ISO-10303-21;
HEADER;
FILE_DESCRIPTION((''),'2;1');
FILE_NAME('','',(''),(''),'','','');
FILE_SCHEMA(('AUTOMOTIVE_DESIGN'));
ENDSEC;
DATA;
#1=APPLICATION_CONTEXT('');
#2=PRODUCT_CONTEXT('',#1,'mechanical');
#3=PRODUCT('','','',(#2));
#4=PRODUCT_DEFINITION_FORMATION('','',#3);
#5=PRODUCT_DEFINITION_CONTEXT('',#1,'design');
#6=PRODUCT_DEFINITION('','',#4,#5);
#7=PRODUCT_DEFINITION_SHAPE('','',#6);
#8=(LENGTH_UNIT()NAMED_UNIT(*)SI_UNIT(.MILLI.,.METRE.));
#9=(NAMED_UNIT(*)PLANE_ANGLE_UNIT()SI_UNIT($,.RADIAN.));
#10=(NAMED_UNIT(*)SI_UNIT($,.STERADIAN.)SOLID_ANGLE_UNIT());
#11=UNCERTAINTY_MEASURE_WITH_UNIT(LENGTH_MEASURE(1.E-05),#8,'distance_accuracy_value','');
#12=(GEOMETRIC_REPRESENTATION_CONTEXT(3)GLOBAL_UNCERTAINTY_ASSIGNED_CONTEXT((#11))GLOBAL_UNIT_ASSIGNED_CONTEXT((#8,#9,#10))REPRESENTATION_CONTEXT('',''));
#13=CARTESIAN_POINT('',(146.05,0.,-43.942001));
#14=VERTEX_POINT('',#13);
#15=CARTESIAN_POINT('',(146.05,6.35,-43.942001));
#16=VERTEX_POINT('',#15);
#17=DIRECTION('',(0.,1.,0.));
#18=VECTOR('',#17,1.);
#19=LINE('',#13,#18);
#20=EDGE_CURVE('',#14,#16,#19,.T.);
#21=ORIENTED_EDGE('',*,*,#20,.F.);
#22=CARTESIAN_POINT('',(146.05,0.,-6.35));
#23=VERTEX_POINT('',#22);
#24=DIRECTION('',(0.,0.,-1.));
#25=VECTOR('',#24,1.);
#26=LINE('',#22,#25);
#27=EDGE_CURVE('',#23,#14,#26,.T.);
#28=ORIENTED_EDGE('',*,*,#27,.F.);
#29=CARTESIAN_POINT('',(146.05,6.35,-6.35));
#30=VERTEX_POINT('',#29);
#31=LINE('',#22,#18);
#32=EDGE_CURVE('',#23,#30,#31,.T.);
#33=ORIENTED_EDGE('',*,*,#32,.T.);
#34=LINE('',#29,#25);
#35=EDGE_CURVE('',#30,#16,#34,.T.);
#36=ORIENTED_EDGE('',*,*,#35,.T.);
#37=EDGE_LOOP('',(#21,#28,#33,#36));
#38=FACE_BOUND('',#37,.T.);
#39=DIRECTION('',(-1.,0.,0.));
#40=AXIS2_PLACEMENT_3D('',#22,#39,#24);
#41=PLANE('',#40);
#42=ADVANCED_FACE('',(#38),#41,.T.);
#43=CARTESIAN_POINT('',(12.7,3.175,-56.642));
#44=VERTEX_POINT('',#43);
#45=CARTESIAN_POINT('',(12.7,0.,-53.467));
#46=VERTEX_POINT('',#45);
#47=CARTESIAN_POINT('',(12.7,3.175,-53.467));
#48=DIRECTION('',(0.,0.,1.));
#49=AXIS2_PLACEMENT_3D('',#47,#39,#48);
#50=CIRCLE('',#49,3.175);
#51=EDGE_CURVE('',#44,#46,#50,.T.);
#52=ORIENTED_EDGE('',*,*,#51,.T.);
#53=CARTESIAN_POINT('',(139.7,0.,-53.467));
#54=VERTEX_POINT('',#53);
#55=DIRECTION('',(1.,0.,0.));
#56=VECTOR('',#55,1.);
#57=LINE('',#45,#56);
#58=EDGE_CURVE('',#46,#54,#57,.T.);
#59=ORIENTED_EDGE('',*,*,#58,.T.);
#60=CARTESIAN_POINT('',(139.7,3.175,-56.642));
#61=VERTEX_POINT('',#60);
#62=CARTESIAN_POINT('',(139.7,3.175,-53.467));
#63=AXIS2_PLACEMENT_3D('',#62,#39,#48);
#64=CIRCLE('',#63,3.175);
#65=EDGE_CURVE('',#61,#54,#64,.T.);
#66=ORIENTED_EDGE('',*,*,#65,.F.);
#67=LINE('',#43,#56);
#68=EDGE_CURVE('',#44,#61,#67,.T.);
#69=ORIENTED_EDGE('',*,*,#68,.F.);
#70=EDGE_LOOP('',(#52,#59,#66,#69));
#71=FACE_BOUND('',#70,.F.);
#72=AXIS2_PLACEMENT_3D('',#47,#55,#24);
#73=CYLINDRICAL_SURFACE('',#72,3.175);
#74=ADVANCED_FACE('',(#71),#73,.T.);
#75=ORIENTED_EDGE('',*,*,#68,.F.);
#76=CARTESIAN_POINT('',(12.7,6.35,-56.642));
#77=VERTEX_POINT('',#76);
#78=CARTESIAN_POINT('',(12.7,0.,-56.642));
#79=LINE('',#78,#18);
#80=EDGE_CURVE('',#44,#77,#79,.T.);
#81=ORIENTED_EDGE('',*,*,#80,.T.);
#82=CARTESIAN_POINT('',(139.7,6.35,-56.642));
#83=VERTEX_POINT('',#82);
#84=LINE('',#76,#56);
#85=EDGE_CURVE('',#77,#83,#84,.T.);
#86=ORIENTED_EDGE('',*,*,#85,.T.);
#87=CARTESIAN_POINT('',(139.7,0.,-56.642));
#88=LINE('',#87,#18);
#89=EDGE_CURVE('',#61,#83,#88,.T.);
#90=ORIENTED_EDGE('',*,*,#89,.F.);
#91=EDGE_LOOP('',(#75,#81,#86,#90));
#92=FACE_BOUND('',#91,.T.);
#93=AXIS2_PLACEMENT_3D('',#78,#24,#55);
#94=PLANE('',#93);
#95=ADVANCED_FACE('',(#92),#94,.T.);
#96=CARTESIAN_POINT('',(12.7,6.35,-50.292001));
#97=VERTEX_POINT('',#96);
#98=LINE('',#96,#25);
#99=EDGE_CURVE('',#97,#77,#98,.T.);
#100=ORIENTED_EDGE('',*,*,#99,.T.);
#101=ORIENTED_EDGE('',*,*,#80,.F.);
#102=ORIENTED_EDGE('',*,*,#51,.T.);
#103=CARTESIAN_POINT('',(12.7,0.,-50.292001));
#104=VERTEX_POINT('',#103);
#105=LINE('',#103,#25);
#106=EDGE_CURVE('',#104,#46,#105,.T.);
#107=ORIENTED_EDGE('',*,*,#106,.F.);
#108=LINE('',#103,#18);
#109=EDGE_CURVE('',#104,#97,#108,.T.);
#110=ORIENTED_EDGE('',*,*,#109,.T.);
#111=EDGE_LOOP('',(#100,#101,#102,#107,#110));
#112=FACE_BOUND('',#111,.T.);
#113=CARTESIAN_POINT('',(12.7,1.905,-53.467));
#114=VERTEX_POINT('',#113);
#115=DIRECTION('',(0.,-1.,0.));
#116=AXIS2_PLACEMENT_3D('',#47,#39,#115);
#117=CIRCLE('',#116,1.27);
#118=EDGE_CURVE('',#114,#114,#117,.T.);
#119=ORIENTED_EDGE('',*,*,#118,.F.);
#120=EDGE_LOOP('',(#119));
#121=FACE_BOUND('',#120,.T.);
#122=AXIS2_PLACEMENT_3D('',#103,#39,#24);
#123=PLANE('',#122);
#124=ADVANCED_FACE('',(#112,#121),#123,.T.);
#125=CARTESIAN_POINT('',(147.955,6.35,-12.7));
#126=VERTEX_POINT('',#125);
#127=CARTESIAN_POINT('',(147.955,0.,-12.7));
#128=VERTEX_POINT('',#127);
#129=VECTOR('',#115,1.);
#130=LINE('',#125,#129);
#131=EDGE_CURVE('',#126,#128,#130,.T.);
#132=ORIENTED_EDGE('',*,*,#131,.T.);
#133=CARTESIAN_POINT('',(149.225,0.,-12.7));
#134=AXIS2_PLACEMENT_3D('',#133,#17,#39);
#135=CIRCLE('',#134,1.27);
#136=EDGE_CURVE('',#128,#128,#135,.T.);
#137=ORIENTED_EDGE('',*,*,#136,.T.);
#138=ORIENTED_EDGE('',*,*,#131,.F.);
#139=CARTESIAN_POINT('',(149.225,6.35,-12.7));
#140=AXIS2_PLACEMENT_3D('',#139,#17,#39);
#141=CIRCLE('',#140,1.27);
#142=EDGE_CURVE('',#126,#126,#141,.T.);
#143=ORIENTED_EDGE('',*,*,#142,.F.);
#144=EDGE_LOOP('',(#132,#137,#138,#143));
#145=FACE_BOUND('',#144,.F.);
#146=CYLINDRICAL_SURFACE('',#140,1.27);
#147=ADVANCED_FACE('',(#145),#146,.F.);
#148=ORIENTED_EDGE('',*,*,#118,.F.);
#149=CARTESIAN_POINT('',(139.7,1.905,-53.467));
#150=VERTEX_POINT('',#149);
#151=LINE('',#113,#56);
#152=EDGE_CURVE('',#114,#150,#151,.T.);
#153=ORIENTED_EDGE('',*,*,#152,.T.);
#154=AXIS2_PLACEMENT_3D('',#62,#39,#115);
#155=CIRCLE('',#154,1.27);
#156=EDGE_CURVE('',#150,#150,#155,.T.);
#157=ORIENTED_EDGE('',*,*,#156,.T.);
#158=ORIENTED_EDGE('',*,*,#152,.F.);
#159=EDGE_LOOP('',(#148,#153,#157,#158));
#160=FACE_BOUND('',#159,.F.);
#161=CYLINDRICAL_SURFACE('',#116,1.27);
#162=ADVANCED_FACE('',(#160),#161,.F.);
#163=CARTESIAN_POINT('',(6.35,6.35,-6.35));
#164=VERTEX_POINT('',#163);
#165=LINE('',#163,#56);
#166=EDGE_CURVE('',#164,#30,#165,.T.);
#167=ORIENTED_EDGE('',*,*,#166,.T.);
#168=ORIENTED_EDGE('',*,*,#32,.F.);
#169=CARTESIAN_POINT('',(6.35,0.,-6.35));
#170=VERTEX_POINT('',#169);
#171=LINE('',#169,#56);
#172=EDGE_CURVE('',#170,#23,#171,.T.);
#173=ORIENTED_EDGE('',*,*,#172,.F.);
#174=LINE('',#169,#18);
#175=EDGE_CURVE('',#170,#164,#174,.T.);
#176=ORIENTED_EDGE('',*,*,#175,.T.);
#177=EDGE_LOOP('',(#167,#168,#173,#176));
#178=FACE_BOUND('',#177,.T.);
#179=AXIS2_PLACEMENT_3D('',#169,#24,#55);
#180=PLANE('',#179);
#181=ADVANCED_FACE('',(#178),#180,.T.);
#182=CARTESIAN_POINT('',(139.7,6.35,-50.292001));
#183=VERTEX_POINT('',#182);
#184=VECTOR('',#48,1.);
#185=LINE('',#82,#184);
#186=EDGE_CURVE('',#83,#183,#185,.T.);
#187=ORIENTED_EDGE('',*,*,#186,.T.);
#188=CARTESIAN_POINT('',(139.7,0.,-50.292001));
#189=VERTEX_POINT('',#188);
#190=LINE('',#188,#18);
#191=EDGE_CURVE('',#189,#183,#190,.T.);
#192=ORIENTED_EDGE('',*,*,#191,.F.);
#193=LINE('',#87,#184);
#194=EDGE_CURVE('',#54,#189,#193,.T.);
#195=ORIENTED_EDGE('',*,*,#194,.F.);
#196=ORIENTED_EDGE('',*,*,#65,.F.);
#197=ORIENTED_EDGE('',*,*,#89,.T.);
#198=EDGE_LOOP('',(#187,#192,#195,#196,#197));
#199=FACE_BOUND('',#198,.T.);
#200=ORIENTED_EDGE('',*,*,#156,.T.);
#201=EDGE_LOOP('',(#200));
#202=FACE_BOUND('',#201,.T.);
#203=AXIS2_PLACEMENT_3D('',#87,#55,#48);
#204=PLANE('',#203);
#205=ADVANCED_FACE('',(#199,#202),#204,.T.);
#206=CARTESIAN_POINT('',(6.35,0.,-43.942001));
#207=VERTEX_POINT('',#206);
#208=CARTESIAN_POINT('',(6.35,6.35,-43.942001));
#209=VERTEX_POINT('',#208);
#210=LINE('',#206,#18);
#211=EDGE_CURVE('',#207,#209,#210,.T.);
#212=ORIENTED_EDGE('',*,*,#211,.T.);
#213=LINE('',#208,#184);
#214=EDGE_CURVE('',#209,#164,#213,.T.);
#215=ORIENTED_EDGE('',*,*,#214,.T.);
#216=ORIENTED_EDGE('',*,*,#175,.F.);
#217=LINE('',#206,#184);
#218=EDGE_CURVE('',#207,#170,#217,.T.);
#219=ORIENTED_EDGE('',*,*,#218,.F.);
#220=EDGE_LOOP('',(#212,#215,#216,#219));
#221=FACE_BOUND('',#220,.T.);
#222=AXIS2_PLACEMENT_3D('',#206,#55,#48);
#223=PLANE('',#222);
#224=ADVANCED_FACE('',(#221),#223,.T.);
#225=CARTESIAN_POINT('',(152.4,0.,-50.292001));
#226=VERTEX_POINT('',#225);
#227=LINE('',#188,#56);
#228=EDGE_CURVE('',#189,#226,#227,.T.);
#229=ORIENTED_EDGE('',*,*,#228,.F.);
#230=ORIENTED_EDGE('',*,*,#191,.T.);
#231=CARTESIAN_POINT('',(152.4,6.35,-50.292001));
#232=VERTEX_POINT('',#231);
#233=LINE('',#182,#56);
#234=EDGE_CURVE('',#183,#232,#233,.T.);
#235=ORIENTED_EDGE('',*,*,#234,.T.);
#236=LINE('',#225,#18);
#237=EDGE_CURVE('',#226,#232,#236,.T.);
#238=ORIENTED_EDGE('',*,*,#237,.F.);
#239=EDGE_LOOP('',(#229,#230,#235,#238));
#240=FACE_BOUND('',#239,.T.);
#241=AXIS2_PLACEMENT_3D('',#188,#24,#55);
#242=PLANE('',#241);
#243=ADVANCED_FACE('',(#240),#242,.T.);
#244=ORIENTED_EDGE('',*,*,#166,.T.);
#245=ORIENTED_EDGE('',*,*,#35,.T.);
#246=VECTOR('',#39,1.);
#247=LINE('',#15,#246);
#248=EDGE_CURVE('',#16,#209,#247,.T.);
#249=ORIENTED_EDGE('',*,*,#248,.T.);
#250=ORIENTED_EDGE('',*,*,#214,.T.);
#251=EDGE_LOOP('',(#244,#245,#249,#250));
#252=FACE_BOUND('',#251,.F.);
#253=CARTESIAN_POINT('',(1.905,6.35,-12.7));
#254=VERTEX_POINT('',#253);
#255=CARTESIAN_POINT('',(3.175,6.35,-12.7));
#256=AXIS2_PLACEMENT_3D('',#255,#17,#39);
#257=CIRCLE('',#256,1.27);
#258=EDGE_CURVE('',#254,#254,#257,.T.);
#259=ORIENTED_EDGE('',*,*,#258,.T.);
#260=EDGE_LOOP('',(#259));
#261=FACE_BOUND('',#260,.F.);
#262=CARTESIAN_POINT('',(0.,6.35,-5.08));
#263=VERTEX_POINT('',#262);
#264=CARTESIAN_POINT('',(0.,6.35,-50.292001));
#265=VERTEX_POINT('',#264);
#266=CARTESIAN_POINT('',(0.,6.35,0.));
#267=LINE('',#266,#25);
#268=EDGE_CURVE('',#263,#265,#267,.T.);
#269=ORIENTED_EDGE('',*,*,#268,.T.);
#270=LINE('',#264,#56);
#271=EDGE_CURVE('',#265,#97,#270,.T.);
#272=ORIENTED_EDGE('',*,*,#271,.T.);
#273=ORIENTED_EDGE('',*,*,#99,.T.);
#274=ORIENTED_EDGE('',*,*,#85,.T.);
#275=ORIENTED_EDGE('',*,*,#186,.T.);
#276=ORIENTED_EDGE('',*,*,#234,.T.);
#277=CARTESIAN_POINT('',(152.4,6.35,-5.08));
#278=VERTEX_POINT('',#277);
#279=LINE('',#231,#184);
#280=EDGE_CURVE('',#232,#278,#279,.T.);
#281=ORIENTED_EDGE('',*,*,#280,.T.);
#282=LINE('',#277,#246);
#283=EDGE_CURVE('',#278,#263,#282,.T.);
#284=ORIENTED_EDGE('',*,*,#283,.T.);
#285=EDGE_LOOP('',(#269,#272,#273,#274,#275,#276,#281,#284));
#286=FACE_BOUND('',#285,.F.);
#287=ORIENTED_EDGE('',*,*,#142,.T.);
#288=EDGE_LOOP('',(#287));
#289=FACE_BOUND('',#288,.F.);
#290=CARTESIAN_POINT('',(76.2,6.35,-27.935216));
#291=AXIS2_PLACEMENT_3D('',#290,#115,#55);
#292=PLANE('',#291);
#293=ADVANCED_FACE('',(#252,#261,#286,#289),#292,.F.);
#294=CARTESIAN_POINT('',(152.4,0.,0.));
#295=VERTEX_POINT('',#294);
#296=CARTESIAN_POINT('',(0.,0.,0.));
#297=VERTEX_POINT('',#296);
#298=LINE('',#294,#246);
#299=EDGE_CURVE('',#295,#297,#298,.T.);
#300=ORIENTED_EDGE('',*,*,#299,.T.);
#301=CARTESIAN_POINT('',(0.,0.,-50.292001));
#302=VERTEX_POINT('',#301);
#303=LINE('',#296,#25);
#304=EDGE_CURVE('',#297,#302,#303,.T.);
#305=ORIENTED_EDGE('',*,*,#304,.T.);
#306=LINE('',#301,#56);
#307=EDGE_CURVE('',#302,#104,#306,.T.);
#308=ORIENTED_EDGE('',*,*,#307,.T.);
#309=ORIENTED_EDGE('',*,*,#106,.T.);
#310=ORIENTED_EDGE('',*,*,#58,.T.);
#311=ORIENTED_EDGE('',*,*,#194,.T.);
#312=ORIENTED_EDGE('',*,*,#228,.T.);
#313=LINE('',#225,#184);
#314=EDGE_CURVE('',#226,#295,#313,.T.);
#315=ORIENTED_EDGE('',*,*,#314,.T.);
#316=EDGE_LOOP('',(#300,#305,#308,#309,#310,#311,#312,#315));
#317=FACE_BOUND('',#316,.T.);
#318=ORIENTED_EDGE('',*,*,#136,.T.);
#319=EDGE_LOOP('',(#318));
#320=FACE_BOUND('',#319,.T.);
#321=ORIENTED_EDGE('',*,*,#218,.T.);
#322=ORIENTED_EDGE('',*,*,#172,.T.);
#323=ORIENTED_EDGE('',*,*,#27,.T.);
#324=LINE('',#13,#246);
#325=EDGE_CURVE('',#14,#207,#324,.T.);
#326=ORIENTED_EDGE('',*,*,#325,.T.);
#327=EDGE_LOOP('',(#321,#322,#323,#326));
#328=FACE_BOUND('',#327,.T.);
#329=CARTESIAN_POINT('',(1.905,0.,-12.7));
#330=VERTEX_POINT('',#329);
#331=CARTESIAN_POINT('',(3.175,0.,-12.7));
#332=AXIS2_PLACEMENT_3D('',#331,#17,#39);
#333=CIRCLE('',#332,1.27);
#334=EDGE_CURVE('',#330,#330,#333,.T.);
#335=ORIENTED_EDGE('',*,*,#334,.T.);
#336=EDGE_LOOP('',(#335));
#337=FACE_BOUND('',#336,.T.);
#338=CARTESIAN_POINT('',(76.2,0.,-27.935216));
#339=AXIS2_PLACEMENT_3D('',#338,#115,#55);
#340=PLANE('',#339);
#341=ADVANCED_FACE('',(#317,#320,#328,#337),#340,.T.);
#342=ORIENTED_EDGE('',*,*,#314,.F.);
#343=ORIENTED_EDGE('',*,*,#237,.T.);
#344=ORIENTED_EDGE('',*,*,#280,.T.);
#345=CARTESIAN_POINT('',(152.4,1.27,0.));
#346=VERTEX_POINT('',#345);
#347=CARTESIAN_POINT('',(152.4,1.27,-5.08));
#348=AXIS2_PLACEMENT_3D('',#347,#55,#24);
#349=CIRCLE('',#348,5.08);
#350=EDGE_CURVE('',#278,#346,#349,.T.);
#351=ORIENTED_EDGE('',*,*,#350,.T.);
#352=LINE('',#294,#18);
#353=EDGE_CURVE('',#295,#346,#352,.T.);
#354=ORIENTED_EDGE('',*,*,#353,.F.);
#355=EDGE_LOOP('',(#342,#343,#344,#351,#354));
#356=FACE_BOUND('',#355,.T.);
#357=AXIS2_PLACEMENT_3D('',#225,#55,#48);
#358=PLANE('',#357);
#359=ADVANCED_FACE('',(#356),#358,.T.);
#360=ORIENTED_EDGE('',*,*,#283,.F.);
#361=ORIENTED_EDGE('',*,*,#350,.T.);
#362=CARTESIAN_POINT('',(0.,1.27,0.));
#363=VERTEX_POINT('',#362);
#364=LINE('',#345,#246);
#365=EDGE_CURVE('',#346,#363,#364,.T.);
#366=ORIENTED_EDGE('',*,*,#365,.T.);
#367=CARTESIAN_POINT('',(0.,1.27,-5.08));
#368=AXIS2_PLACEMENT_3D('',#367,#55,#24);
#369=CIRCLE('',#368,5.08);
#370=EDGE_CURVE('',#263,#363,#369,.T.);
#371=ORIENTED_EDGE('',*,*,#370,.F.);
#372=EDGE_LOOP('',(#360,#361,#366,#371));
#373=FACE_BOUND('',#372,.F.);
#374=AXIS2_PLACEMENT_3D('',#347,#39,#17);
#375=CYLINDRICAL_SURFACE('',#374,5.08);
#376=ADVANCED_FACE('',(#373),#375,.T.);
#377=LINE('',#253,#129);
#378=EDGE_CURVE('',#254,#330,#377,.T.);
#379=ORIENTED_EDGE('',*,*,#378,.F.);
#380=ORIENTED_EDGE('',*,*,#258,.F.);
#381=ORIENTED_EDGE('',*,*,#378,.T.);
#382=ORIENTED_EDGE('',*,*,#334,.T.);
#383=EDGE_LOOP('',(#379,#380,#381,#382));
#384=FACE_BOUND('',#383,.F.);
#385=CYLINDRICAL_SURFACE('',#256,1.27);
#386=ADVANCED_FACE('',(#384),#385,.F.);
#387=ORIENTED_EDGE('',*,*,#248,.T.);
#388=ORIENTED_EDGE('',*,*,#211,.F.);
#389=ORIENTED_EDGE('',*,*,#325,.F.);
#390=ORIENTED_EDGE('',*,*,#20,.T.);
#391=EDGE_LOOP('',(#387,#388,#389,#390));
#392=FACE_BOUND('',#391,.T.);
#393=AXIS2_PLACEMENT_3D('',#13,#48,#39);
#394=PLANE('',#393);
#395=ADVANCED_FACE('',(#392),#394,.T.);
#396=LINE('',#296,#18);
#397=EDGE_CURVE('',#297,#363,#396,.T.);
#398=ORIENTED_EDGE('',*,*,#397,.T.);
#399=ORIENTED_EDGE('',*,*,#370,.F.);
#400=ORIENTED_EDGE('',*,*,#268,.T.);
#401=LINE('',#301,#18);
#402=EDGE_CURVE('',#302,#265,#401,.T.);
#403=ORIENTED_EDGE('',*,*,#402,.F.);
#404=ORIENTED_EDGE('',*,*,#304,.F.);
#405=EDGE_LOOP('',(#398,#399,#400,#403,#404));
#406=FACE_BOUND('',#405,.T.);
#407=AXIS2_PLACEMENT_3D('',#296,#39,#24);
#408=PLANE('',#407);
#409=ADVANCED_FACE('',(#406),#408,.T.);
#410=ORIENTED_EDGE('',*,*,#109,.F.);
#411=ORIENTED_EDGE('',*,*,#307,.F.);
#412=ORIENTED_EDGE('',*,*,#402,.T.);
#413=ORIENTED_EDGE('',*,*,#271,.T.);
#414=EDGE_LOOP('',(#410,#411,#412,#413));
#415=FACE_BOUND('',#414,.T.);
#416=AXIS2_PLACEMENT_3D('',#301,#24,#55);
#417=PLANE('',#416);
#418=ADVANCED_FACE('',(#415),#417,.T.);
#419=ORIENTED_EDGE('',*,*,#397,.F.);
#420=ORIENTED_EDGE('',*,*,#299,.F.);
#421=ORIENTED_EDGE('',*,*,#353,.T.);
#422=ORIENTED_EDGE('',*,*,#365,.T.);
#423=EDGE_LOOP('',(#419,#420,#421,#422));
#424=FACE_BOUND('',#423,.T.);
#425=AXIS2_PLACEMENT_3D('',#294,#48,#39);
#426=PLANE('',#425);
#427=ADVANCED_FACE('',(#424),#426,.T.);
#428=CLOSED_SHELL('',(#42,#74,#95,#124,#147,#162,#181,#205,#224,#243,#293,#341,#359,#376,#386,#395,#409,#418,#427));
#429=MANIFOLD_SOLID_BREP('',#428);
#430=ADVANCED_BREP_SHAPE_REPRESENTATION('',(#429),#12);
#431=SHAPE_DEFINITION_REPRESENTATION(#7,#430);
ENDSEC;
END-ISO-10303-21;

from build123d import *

# Parameters (mm, degrees)
F1_DEPTH = 6.35
F2_R     = 3.175
F3_R     = 1.27
F4_DEPTH = 139.701
F5_R     = 5.08
F6_R     = 1.27
F7_DEPTH = 6.351


with BuildPart() as f1:
    # F0 (on Front) → F1 (new body)
    with BuildSketch(Plane.XZ):
        Polygon((152.4, 0), (0, 0), (0, -50.292001), (12.7, -50.292001), (12.7, -56.642), (139.7, -56.642), (139.7, -50.292001), (152.4, -50.292001), align=None)
        Polygon((146.05, -6.35), (146.05, -43.942001), (139.7, -43.942001), (12.7, -43.942001), (6.35, -43.942001), (6.35, -6.35), align=None, mode=Mode.SUBTRACT)
    extrude(amount=-F1_DEPTH)

    # F2
    f2_edges = [f1.edges().sort_by_distance(p)[0] for p in [
        (76.2, 0, -56.642),
    ]]
    fillet(f2_edges, radius=F2_R)

    # F3 (on face) → F4 (cut, through all)
    with BuildSketch(Plane(origin=(12.7, 0, 0), x_dir=(0, -1, 0), z_dir=(-1, 0, 0))):
        with Locations((-3.175, -53.467)):
            Circle(F3_R)
    extrude(amount=-F4_DEPTH, mode=Mode.SUBTRACT)

    # F5
    f5_edges = [f1.edges().sort_by_distance(p)[0] for p in [
        (76.2, 6.35, 0),
    ]]
    fillet(f5_edges, radius=F5_R)

    # F6 (on face) → F7 (cut, through all)
    with BuildSketch(Plane(origin=(0, 6.35, 0), x_dir=(-1, 0, 0), z_dir=(0, 1, 0))):
        with Locations((-149.225, -12.7)):
            Circle(F6_R)
        with Locations((-3.175, -12.7)):
            Circle(F6_R)
    extrude(amount=-F7_DEPTH, mode=Mode.SUBTRACT)


solid = f1.part
